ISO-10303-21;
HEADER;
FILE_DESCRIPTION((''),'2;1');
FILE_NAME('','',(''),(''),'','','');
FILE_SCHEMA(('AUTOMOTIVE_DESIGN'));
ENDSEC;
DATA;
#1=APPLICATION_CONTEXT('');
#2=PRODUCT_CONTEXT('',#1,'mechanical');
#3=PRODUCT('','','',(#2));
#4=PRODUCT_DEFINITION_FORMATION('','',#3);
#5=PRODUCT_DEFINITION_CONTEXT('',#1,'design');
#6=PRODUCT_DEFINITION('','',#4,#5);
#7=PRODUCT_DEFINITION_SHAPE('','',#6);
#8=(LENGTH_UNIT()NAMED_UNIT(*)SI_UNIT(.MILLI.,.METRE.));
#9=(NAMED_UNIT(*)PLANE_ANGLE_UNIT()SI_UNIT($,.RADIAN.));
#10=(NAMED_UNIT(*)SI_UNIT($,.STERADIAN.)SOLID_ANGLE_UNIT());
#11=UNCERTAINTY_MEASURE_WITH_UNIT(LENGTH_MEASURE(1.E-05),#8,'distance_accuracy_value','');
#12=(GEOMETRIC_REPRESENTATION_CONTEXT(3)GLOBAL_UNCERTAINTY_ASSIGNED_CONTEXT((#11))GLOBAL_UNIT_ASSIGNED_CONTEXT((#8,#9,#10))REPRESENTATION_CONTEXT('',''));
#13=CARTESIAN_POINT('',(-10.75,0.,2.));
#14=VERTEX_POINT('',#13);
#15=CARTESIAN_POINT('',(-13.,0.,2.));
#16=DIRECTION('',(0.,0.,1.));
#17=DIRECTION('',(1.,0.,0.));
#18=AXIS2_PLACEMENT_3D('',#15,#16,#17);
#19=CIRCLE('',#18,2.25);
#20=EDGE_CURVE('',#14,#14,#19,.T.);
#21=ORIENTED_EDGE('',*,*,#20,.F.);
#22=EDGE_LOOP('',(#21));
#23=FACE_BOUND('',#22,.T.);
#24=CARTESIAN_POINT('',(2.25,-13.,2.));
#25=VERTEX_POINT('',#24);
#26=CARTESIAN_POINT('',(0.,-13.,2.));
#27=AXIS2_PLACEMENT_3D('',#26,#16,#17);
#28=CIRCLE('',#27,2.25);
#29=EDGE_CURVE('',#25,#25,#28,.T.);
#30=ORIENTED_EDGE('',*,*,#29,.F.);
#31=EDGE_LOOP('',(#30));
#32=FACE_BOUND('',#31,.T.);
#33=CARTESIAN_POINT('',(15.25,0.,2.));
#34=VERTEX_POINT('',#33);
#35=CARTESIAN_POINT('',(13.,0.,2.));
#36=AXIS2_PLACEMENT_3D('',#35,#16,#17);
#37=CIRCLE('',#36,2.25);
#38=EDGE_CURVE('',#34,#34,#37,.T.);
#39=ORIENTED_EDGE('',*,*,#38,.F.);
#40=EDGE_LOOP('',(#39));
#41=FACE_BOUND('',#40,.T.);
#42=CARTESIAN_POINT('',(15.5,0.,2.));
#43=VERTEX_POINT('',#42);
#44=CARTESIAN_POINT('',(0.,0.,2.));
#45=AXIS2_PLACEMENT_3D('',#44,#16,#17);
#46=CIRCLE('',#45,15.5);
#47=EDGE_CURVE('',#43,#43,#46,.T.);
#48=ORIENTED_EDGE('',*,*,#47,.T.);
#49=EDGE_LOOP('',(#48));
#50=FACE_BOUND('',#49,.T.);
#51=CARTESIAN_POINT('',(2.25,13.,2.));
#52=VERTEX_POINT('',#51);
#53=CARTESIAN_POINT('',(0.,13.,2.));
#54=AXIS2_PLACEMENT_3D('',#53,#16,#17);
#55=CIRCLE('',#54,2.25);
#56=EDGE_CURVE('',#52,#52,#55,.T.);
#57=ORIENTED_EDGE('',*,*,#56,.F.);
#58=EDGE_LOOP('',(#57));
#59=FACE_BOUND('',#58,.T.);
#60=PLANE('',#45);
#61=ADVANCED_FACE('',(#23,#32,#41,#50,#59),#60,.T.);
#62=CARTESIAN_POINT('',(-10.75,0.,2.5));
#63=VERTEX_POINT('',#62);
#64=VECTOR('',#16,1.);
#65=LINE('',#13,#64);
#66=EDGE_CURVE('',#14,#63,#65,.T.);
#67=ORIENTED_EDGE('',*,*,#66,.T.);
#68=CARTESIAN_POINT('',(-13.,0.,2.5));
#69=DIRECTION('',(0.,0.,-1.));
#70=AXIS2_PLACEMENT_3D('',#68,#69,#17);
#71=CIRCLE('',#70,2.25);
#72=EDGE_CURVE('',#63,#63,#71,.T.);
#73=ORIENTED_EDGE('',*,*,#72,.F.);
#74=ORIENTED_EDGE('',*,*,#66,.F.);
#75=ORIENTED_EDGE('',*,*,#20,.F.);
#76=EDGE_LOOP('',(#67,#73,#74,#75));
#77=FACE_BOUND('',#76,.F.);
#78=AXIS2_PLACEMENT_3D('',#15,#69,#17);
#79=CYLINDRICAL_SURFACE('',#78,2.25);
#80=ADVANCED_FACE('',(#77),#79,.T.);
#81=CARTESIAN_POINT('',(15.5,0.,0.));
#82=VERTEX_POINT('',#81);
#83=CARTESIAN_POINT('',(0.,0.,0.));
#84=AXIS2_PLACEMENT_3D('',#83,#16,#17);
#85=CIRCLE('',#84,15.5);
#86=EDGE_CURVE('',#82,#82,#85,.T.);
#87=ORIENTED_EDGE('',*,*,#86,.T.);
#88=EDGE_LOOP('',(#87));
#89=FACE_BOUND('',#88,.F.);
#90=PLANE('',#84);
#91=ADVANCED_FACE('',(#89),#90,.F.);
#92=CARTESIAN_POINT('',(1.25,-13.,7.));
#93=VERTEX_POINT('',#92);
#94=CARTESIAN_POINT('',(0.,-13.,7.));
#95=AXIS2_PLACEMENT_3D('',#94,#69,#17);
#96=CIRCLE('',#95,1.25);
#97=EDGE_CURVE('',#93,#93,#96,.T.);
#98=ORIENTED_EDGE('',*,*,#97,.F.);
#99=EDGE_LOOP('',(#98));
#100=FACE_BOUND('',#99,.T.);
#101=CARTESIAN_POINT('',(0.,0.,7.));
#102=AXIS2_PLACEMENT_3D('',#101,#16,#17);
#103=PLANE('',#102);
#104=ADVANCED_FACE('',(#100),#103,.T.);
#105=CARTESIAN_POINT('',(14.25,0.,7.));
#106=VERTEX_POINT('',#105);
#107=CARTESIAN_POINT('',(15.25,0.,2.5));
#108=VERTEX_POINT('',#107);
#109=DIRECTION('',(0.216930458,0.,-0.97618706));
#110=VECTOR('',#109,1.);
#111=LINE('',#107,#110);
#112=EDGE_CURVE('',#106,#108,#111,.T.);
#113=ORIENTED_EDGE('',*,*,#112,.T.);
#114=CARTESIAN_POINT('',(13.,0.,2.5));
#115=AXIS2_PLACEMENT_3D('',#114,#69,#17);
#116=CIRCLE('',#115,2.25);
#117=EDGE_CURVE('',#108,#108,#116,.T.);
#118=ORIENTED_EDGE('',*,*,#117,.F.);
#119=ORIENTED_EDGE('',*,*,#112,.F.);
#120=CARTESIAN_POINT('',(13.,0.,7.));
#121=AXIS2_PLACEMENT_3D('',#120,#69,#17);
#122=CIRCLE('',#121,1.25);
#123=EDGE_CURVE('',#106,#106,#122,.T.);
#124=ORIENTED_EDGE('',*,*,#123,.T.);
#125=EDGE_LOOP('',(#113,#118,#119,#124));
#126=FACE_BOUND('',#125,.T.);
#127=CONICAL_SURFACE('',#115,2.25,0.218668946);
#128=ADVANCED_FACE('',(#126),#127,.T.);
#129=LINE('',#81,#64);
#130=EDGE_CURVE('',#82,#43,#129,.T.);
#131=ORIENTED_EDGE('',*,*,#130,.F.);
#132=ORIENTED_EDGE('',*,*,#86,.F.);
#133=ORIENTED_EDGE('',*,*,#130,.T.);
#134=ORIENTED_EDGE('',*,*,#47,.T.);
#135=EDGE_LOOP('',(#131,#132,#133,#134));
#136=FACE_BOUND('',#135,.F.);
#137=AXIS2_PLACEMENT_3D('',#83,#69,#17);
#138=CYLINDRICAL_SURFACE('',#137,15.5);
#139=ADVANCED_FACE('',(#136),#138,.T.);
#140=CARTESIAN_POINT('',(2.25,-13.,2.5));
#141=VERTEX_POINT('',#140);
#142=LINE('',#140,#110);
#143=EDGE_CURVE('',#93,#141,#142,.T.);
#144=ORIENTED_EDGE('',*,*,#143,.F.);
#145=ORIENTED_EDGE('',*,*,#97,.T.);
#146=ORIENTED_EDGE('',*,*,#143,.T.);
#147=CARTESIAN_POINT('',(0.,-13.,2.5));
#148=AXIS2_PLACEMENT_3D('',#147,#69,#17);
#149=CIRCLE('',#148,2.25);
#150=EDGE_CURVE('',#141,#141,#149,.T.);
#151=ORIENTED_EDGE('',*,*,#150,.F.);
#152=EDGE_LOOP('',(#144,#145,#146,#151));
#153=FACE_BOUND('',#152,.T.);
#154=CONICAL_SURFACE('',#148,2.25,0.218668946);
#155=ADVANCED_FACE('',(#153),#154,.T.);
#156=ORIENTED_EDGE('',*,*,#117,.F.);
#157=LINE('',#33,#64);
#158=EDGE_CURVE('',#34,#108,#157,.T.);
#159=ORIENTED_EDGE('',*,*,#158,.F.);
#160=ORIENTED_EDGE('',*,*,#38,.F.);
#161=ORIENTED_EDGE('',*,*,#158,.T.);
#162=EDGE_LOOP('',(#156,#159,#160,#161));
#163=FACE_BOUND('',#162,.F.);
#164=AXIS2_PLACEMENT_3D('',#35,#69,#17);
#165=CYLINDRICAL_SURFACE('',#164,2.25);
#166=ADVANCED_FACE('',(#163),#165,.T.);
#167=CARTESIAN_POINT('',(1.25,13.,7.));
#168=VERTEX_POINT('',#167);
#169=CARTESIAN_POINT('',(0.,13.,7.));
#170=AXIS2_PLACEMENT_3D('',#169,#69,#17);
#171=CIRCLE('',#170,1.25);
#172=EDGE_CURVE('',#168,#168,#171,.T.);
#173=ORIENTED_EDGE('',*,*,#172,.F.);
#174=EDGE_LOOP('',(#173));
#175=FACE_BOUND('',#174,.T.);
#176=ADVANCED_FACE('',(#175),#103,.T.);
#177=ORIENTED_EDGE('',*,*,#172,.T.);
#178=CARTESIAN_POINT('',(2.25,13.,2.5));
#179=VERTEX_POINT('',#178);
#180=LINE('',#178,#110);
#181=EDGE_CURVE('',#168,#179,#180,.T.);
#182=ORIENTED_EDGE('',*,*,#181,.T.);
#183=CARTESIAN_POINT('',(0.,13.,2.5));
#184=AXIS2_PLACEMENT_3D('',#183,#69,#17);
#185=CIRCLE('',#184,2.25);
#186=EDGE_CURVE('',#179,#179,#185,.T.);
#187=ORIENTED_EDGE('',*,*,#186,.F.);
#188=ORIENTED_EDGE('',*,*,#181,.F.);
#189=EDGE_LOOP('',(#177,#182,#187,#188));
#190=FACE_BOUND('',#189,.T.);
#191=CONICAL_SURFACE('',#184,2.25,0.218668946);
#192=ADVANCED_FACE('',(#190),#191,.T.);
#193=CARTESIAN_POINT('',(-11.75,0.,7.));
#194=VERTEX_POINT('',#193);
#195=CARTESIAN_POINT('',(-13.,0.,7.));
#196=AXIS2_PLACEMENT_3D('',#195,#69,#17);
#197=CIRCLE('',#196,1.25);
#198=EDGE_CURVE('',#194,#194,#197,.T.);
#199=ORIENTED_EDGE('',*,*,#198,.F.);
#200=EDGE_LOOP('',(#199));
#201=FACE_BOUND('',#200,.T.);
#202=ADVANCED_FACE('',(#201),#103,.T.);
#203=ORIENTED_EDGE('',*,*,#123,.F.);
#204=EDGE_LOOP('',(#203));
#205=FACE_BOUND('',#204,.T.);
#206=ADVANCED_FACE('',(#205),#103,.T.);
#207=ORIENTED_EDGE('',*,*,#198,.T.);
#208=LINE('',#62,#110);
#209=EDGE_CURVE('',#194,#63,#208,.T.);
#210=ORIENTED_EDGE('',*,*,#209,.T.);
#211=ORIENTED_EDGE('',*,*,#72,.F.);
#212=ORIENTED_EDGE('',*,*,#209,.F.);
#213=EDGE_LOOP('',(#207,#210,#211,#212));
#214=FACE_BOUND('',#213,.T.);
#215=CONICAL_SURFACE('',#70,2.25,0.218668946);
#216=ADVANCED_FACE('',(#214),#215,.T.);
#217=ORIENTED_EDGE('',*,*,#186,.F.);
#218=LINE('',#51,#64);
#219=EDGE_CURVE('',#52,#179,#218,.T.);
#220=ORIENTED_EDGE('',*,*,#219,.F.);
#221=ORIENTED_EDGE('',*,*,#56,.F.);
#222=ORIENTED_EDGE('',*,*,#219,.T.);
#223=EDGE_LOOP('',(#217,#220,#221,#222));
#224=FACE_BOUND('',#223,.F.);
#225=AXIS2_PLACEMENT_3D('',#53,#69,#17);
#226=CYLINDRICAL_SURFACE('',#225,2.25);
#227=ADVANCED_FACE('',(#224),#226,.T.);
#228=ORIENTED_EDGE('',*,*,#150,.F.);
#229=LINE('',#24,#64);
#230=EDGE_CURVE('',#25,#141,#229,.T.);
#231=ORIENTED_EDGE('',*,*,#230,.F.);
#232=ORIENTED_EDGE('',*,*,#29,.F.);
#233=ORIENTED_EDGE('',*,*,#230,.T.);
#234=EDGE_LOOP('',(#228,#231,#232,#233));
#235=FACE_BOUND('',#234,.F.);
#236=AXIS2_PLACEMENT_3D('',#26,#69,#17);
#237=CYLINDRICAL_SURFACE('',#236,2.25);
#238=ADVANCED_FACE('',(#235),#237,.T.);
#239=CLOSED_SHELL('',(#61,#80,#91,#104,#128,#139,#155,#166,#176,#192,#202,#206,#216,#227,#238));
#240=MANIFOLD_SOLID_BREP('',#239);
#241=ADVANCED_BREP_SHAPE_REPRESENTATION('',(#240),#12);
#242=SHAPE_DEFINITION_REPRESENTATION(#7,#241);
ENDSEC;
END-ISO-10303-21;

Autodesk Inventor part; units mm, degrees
sketch "Sketch1" plane through (0, 0, 0) normal (0, 0, 1) x (1, 0, 0)
  line L0 (0, 2.5316) -> (0, -2.5316) construction
  line L1 (-5.1172, 0) -> (5.1172, 0) construction
  circle A0 centre (0, 0) radius 15.5
  dimension "d0" = 31
extrude "Extrusion1" add sketch "Sketch1" along normal blind 2
sketch "Sketch2" plane through (0, 0, 2) normal (0, 0, 1) x (1, 0, 0)
  circle A0 centre (0, 0) radius 13
  line L0 (0, 0) -> (0, 13)
  line L1 (0, 0) -> (13, 0)
  line L2 (0, 0) -> (0, -13)
  line L3 (0, 0) -> (-13, 0)
  circle A1 centre (-13, 0) radius 2.25
  circle A2 centre (0, 13) radius 2.25
  circle A3 centre (13, 0) radius 2.25
  circle A4 centre (0, -13) radius 2.25
  dimension "d3" = 26
  dimension "d4" = 4.5
  dimension "d5" = 4.5
  dimension "d6" = 4.5
  dimension "d7" = 4.5
extrude "Extrusion2" add sketch "Sketch2" along normal blind 5 contours L1 A3 A0 | A0 A3 | A0 A3 L1 | A2 L0 A0 | A0 A2 | A4 A0 | A0 L2 A4 | L0 A2 A0 | A0 A4 L2 | A1 A0 L3 | L3 A0 A1 | A0 A1
chamfer "Chamfer1" distance 1 distance2 4.5 1 edges at (-15.25, 0, 7) measured on face at (-13.6641, 0.3485, 7)
chamfer "Chamfer2" distance 1 distance2 4.5 1 edges at (-2.25, -13, 7) measured on face at (-0.0904, -12.342, 7)
chamfer "Chamfer3" distance 1 distance2 4.5 1 edges at (10.75, 0, 7) measured on face at (12.3359, 0.3485, 7)
chamfer "Chamfer4" distance 1 distance2 4.5 1 edges at (-2.25, 13, 7) measured on face at (-0.0904, 13.658, 7)
properties part number "Kogel houder2" material "S235"
